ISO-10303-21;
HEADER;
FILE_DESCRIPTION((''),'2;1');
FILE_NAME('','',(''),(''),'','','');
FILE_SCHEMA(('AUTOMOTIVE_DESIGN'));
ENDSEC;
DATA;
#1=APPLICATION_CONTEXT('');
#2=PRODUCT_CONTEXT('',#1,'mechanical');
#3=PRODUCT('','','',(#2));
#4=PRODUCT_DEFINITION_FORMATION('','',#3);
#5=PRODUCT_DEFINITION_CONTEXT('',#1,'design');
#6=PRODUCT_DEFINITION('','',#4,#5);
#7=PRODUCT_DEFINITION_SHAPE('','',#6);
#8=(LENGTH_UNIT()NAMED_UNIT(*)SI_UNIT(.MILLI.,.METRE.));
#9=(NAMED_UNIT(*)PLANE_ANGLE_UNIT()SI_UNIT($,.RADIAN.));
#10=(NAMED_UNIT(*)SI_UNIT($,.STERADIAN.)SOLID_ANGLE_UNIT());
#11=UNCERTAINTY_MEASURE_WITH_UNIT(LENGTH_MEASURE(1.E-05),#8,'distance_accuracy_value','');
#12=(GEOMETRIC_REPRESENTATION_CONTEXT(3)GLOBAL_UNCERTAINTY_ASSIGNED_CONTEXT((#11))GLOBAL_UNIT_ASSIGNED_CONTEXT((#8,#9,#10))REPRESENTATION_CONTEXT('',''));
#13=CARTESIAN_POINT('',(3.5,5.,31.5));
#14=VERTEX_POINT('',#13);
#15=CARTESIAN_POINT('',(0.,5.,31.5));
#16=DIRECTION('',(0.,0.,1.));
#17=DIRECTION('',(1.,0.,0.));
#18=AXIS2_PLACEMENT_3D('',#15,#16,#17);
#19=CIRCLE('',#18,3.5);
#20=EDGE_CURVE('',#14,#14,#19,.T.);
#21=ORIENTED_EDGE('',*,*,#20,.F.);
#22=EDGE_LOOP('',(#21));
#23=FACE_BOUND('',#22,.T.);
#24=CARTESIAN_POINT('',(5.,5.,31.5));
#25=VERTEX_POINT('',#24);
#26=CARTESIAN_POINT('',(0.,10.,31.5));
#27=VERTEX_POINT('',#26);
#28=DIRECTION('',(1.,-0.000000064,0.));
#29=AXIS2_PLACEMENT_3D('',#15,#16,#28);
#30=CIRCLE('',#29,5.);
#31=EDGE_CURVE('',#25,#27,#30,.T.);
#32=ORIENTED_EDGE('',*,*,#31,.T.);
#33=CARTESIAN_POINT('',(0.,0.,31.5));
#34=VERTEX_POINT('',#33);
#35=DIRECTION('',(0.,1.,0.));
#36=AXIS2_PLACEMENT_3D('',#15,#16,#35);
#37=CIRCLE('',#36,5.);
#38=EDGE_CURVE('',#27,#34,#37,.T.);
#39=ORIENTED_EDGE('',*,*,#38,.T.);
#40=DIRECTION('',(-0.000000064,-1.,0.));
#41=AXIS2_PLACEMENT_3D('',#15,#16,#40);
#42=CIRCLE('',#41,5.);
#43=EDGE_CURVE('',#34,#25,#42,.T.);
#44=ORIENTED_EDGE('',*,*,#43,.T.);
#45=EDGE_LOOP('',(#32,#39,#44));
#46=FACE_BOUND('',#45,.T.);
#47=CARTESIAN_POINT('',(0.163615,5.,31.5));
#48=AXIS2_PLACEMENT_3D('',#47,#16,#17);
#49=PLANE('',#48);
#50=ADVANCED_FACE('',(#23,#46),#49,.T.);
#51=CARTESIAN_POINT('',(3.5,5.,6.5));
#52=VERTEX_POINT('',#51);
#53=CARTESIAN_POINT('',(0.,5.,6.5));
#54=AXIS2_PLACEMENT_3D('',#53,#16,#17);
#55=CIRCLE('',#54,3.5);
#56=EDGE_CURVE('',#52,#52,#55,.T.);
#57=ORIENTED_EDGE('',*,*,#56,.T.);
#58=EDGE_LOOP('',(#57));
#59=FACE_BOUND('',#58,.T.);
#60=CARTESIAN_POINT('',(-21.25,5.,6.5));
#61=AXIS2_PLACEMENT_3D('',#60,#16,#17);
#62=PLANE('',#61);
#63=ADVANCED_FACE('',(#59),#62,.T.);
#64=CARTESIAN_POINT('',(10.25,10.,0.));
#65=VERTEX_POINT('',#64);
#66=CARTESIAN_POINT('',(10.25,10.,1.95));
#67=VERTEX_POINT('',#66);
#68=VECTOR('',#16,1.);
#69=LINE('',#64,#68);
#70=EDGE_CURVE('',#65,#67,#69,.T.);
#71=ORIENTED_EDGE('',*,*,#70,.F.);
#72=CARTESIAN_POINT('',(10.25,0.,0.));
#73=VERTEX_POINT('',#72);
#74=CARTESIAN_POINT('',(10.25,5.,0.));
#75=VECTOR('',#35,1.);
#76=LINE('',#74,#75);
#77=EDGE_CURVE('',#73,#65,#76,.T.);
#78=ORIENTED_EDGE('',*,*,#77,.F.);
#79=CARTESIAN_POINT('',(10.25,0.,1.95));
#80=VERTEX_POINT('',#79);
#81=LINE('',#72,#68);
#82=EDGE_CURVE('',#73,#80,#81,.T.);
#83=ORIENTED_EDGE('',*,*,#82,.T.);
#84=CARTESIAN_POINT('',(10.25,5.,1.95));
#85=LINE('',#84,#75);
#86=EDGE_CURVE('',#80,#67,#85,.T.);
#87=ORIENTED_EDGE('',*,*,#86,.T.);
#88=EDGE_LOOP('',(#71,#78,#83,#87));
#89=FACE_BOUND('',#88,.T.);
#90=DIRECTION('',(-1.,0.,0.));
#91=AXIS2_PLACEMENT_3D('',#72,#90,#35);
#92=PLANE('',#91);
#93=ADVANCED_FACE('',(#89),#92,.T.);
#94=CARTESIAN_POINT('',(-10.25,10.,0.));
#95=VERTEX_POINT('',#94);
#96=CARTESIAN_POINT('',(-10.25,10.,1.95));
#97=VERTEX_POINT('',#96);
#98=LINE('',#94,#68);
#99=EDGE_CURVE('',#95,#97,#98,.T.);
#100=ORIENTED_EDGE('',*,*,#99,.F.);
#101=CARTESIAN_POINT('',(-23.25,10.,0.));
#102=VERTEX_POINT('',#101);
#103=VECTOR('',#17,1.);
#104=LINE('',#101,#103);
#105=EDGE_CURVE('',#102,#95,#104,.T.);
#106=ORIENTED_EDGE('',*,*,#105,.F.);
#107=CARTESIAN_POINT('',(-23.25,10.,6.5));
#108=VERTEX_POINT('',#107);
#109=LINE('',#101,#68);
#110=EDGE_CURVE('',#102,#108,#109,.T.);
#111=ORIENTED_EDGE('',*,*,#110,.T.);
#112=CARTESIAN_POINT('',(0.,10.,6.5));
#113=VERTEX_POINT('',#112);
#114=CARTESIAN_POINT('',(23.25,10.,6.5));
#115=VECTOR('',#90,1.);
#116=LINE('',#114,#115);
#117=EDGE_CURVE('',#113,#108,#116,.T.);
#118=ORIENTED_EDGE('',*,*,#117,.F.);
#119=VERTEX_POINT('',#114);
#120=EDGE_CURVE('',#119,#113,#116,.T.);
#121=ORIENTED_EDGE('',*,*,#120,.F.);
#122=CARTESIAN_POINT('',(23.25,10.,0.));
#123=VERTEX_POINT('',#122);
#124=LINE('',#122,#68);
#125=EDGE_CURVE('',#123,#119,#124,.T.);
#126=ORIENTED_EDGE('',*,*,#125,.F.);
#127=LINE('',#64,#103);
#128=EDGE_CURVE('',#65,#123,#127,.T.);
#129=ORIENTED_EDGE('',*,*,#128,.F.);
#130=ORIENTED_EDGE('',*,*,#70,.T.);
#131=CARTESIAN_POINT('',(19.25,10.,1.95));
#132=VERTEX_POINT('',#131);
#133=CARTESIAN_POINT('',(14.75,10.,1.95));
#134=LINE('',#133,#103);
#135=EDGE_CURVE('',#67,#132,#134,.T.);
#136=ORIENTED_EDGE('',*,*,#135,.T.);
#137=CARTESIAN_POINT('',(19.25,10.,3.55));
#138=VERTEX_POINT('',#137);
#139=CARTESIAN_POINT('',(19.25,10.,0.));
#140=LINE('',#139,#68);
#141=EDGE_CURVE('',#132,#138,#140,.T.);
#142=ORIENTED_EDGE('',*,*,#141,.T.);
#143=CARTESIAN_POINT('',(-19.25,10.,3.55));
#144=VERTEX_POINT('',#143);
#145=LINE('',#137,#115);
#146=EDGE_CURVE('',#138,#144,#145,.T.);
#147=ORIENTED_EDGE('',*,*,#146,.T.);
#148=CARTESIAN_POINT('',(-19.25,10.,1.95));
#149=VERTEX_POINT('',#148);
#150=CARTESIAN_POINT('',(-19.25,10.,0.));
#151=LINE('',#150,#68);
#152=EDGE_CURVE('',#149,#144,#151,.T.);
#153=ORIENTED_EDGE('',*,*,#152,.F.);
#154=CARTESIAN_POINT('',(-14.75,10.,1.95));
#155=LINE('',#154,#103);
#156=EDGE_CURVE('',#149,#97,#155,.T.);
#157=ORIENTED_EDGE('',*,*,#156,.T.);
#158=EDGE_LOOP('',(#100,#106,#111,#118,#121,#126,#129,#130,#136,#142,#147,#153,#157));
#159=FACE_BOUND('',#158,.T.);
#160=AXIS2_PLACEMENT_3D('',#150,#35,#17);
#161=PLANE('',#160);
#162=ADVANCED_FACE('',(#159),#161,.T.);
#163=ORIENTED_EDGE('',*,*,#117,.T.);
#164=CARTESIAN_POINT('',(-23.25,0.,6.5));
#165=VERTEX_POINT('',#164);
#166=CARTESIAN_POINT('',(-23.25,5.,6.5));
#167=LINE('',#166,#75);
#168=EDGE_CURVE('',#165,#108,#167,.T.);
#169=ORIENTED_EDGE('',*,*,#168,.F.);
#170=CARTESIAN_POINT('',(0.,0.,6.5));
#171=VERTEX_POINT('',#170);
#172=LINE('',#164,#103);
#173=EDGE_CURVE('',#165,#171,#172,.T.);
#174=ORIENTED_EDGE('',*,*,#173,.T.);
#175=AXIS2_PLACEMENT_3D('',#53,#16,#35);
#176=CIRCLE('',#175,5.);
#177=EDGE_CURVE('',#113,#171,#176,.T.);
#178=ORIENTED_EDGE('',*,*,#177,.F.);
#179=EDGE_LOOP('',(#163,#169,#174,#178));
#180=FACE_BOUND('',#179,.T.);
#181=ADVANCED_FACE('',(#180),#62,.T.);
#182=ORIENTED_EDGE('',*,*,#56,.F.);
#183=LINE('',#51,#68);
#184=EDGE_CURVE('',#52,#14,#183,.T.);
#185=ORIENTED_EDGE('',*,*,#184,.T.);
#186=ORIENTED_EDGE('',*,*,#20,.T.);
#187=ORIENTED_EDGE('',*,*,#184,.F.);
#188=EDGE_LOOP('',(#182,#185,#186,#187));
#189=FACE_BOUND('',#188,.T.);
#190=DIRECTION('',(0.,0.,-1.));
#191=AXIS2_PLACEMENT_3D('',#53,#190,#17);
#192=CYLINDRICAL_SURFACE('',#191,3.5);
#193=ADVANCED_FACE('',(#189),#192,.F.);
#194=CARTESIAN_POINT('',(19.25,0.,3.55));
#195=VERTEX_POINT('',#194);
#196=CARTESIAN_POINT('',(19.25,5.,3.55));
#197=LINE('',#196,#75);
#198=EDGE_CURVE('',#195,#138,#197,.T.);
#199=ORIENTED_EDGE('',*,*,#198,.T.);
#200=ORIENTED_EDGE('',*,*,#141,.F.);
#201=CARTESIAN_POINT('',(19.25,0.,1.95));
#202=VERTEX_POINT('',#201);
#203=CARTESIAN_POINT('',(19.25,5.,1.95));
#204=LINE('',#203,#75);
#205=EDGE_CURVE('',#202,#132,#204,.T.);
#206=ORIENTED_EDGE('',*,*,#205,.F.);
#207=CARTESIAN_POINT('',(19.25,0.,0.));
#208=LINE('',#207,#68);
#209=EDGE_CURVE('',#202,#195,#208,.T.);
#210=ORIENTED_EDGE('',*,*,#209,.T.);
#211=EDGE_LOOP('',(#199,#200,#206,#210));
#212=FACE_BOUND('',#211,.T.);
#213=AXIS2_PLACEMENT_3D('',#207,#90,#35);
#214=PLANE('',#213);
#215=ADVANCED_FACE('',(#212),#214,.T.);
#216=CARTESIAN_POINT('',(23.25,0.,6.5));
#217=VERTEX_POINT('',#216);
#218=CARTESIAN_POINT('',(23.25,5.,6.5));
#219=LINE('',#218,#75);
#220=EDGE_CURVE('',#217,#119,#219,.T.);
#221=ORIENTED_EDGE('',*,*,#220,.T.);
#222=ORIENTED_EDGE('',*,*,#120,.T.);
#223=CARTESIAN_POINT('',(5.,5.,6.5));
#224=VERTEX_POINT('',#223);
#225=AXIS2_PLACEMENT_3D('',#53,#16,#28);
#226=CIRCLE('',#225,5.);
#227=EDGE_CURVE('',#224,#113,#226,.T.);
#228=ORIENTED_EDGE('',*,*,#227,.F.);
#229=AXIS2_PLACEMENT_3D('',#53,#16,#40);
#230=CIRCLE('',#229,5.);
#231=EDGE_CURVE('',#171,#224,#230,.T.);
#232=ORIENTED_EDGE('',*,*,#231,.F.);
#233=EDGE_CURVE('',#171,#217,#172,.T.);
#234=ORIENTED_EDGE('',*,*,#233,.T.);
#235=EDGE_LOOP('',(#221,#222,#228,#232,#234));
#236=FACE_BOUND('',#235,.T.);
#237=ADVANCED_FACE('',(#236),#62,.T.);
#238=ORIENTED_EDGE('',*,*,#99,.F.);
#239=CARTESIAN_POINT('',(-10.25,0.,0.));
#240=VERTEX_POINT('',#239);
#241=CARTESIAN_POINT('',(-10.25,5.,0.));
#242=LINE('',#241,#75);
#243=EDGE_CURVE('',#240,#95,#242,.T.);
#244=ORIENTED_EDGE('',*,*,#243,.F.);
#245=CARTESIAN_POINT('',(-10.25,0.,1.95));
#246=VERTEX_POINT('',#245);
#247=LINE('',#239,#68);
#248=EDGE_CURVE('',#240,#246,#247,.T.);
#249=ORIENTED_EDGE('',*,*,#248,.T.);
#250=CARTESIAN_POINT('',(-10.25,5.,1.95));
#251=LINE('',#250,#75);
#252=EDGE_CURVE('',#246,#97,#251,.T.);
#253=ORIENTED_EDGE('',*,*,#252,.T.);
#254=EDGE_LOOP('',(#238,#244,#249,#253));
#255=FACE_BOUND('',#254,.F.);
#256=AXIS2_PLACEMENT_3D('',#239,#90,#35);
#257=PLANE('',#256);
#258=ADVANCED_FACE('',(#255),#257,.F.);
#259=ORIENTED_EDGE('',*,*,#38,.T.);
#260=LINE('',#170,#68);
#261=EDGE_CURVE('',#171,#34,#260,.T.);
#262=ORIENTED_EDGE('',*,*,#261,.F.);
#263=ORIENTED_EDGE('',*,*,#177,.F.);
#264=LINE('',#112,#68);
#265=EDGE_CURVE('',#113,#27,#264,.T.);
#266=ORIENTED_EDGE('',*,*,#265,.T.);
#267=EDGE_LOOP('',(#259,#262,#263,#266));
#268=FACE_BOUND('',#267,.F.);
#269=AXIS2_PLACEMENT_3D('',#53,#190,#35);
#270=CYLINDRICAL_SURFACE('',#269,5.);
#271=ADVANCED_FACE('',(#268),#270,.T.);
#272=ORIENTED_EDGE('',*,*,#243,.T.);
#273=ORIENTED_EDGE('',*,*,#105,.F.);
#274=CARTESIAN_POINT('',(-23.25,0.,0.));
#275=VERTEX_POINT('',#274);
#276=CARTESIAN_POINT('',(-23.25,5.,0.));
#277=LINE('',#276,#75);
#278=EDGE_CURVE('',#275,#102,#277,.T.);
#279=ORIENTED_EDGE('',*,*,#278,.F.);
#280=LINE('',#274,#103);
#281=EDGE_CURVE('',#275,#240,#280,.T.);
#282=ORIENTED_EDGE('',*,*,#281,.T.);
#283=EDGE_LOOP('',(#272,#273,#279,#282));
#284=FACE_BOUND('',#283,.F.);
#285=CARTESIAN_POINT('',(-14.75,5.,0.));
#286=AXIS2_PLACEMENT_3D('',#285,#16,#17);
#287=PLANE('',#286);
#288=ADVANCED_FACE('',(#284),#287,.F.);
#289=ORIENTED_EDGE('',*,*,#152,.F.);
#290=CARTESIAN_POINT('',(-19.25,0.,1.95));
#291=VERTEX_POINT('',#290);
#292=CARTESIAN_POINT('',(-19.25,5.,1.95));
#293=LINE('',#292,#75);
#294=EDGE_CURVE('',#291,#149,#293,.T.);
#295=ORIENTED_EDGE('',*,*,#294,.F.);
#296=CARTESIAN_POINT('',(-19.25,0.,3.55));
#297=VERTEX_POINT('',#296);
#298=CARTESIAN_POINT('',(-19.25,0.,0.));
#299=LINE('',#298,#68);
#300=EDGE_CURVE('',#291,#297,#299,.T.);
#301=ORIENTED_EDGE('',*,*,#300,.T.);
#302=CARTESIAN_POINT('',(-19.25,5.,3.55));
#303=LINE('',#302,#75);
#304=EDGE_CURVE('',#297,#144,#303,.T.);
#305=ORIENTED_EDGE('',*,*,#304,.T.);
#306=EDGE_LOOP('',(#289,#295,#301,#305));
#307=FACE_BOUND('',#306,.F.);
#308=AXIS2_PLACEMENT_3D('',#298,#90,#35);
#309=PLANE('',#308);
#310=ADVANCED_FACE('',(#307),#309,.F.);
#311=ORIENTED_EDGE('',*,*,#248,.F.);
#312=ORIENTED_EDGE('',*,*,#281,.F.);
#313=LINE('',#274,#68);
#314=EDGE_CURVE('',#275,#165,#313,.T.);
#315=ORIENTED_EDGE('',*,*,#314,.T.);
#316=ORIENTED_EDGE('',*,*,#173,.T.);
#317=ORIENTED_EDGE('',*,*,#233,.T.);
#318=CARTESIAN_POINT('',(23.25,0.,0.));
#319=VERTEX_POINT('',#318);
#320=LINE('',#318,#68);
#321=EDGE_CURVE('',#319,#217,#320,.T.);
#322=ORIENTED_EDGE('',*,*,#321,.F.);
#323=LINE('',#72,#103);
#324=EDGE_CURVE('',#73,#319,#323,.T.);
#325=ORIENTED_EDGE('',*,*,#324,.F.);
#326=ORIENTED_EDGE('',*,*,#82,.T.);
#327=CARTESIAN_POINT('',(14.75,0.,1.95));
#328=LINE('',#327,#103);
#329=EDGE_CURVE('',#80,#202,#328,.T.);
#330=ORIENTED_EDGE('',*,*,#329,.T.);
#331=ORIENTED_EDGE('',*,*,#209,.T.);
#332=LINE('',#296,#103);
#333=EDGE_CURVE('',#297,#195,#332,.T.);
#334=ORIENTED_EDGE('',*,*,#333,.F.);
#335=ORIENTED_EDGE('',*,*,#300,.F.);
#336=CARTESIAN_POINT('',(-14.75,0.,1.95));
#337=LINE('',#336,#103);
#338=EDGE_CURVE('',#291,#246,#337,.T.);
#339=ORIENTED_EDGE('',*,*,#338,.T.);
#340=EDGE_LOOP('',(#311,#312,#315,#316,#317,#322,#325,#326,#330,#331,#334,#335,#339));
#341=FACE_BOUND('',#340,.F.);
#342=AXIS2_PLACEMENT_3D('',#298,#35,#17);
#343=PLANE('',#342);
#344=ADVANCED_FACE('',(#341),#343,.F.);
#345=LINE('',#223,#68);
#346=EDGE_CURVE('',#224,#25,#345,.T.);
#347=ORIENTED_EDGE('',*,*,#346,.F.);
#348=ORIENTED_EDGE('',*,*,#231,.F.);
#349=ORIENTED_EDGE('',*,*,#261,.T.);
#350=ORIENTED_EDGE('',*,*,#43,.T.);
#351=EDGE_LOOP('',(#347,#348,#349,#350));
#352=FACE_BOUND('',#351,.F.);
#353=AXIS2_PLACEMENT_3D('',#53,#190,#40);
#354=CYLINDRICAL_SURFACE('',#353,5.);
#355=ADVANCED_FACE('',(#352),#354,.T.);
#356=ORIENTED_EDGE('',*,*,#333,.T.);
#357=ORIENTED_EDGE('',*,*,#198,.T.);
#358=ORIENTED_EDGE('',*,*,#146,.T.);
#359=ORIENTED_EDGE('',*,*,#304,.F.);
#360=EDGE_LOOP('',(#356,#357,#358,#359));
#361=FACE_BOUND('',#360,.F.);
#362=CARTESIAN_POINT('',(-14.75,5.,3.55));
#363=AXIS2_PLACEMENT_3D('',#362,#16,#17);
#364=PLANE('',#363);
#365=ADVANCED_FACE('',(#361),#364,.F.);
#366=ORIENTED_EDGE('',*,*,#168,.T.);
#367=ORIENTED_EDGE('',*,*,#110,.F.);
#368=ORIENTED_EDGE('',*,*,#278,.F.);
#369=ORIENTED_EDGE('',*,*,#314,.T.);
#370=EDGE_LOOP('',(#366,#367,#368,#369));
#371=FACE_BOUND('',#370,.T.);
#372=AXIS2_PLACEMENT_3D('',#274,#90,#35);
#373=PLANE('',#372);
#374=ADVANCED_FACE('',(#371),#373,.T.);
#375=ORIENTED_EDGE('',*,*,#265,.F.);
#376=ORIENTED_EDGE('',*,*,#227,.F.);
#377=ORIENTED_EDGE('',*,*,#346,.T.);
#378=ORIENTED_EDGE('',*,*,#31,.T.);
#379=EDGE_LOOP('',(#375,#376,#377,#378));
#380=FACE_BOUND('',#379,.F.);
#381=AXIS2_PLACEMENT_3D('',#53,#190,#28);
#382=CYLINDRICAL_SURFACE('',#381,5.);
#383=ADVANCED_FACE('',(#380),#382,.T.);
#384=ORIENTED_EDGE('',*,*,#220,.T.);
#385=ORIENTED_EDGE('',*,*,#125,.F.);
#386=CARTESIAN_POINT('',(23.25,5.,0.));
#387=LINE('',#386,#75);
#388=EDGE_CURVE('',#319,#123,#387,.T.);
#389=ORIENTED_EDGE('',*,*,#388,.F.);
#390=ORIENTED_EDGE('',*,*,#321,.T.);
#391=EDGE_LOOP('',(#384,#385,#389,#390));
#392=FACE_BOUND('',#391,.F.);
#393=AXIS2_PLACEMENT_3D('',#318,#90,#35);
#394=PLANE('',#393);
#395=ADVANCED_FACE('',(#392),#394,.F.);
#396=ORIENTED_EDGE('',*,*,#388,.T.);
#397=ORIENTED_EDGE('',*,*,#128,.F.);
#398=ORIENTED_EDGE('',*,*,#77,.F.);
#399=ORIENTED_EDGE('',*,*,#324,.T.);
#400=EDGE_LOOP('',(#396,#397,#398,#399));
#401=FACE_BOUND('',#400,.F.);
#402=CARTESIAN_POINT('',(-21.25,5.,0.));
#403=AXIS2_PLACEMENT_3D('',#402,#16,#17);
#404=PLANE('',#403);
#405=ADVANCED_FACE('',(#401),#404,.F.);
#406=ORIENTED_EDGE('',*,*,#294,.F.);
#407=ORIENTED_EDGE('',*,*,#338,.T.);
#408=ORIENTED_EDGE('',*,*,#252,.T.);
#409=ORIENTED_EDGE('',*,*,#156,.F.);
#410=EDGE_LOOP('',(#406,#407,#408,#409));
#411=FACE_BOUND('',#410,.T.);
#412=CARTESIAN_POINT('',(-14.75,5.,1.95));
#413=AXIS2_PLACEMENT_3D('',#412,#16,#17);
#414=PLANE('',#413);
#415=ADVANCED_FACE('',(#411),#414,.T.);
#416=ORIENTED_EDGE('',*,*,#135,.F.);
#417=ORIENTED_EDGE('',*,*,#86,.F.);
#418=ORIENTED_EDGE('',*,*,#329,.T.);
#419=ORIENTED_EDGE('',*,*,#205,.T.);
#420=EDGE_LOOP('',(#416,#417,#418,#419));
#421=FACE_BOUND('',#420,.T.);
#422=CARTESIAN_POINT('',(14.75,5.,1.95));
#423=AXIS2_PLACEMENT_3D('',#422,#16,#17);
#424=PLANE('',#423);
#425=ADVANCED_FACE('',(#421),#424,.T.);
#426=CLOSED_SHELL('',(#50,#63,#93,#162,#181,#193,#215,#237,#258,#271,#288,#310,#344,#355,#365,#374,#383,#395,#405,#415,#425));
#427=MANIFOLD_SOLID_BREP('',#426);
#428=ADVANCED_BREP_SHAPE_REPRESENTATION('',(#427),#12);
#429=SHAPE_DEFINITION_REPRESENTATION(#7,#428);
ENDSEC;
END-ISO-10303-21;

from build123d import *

# Parameters (mm, degrees)
F0_W     = 4
F0_H     = 10
F0_W_2   = 9
F0_W_3   = 20.5
F1_DEPTH = 6.5
F2_DEPTH = 3.55
F3_DEPTH = 1.95
F4_R     = 3.5
F5_DEPTH = 25


with BuildPart() as f1:
    # F0 (on Top) → F1 (new body)
    with BuildSketch(Plane.XY):
        with Locations((-21.25, 5)):
            Rectangle(F0_W, F0_H)
        with Locations((-14.75, 5)):
            Rectangle(F0_W_2, F0_H)
        with Locations((0, 5)):
            Rectangle(F0_W_3, F0_H)
        with Locations((14.75, 5)):
            Rectangle(F0_W_2, F0_H)
        with Locations((21.25, 5)):
            Rectangle(F0_W, F0_H)
    extrude(amount=F1_DEPTH)

    # F0 (on Top) → F2 (cut)
    with BuildSketch(Plane.XY):
        with Locations((-14.75, 5)):
            Rectangle(F0_W_2, F0_H)
        with Locations((0, 5)):
            Rectangle(F0_W_3, F0_H)
        with Locations((14.75, 5)):
            Rectangle(F0_W_2, F0_H)
    extrude(amount=F2_DEPTH, mode=Mode.SUBTRACT)

    # F0 (on Top) → F3 (join)
    with BuildSketch(Plane.XY):
        with Locations((-14.75, 5)):
            Rectangle(F0_W_2, F0_H)
        with Locations((14.75, 5)):
            Rectangle(F0_W_2, F0_H)
    extrude(amount=F3_DEPTH)

    # F4 (on face) → F5 (join)
    with BuildSketch(Plane.XY.offset(6.5)):
        with BuildLine():
            ThreePointArc((0, 0), (3.535534, 1.464466), (5, 5))
            ThreePointArc((5, 5), (3.535534, 8.535534), (0, 10))
            ThreePointArc((0, 10), (-5, 5), (0, 0))
        make_face()
        with Locations((0, 5)):
            Circle(F4_R, mode=Mode.SUBTRACT)
    extrude(amount=F5_DEPTH)


solid = f1.part
